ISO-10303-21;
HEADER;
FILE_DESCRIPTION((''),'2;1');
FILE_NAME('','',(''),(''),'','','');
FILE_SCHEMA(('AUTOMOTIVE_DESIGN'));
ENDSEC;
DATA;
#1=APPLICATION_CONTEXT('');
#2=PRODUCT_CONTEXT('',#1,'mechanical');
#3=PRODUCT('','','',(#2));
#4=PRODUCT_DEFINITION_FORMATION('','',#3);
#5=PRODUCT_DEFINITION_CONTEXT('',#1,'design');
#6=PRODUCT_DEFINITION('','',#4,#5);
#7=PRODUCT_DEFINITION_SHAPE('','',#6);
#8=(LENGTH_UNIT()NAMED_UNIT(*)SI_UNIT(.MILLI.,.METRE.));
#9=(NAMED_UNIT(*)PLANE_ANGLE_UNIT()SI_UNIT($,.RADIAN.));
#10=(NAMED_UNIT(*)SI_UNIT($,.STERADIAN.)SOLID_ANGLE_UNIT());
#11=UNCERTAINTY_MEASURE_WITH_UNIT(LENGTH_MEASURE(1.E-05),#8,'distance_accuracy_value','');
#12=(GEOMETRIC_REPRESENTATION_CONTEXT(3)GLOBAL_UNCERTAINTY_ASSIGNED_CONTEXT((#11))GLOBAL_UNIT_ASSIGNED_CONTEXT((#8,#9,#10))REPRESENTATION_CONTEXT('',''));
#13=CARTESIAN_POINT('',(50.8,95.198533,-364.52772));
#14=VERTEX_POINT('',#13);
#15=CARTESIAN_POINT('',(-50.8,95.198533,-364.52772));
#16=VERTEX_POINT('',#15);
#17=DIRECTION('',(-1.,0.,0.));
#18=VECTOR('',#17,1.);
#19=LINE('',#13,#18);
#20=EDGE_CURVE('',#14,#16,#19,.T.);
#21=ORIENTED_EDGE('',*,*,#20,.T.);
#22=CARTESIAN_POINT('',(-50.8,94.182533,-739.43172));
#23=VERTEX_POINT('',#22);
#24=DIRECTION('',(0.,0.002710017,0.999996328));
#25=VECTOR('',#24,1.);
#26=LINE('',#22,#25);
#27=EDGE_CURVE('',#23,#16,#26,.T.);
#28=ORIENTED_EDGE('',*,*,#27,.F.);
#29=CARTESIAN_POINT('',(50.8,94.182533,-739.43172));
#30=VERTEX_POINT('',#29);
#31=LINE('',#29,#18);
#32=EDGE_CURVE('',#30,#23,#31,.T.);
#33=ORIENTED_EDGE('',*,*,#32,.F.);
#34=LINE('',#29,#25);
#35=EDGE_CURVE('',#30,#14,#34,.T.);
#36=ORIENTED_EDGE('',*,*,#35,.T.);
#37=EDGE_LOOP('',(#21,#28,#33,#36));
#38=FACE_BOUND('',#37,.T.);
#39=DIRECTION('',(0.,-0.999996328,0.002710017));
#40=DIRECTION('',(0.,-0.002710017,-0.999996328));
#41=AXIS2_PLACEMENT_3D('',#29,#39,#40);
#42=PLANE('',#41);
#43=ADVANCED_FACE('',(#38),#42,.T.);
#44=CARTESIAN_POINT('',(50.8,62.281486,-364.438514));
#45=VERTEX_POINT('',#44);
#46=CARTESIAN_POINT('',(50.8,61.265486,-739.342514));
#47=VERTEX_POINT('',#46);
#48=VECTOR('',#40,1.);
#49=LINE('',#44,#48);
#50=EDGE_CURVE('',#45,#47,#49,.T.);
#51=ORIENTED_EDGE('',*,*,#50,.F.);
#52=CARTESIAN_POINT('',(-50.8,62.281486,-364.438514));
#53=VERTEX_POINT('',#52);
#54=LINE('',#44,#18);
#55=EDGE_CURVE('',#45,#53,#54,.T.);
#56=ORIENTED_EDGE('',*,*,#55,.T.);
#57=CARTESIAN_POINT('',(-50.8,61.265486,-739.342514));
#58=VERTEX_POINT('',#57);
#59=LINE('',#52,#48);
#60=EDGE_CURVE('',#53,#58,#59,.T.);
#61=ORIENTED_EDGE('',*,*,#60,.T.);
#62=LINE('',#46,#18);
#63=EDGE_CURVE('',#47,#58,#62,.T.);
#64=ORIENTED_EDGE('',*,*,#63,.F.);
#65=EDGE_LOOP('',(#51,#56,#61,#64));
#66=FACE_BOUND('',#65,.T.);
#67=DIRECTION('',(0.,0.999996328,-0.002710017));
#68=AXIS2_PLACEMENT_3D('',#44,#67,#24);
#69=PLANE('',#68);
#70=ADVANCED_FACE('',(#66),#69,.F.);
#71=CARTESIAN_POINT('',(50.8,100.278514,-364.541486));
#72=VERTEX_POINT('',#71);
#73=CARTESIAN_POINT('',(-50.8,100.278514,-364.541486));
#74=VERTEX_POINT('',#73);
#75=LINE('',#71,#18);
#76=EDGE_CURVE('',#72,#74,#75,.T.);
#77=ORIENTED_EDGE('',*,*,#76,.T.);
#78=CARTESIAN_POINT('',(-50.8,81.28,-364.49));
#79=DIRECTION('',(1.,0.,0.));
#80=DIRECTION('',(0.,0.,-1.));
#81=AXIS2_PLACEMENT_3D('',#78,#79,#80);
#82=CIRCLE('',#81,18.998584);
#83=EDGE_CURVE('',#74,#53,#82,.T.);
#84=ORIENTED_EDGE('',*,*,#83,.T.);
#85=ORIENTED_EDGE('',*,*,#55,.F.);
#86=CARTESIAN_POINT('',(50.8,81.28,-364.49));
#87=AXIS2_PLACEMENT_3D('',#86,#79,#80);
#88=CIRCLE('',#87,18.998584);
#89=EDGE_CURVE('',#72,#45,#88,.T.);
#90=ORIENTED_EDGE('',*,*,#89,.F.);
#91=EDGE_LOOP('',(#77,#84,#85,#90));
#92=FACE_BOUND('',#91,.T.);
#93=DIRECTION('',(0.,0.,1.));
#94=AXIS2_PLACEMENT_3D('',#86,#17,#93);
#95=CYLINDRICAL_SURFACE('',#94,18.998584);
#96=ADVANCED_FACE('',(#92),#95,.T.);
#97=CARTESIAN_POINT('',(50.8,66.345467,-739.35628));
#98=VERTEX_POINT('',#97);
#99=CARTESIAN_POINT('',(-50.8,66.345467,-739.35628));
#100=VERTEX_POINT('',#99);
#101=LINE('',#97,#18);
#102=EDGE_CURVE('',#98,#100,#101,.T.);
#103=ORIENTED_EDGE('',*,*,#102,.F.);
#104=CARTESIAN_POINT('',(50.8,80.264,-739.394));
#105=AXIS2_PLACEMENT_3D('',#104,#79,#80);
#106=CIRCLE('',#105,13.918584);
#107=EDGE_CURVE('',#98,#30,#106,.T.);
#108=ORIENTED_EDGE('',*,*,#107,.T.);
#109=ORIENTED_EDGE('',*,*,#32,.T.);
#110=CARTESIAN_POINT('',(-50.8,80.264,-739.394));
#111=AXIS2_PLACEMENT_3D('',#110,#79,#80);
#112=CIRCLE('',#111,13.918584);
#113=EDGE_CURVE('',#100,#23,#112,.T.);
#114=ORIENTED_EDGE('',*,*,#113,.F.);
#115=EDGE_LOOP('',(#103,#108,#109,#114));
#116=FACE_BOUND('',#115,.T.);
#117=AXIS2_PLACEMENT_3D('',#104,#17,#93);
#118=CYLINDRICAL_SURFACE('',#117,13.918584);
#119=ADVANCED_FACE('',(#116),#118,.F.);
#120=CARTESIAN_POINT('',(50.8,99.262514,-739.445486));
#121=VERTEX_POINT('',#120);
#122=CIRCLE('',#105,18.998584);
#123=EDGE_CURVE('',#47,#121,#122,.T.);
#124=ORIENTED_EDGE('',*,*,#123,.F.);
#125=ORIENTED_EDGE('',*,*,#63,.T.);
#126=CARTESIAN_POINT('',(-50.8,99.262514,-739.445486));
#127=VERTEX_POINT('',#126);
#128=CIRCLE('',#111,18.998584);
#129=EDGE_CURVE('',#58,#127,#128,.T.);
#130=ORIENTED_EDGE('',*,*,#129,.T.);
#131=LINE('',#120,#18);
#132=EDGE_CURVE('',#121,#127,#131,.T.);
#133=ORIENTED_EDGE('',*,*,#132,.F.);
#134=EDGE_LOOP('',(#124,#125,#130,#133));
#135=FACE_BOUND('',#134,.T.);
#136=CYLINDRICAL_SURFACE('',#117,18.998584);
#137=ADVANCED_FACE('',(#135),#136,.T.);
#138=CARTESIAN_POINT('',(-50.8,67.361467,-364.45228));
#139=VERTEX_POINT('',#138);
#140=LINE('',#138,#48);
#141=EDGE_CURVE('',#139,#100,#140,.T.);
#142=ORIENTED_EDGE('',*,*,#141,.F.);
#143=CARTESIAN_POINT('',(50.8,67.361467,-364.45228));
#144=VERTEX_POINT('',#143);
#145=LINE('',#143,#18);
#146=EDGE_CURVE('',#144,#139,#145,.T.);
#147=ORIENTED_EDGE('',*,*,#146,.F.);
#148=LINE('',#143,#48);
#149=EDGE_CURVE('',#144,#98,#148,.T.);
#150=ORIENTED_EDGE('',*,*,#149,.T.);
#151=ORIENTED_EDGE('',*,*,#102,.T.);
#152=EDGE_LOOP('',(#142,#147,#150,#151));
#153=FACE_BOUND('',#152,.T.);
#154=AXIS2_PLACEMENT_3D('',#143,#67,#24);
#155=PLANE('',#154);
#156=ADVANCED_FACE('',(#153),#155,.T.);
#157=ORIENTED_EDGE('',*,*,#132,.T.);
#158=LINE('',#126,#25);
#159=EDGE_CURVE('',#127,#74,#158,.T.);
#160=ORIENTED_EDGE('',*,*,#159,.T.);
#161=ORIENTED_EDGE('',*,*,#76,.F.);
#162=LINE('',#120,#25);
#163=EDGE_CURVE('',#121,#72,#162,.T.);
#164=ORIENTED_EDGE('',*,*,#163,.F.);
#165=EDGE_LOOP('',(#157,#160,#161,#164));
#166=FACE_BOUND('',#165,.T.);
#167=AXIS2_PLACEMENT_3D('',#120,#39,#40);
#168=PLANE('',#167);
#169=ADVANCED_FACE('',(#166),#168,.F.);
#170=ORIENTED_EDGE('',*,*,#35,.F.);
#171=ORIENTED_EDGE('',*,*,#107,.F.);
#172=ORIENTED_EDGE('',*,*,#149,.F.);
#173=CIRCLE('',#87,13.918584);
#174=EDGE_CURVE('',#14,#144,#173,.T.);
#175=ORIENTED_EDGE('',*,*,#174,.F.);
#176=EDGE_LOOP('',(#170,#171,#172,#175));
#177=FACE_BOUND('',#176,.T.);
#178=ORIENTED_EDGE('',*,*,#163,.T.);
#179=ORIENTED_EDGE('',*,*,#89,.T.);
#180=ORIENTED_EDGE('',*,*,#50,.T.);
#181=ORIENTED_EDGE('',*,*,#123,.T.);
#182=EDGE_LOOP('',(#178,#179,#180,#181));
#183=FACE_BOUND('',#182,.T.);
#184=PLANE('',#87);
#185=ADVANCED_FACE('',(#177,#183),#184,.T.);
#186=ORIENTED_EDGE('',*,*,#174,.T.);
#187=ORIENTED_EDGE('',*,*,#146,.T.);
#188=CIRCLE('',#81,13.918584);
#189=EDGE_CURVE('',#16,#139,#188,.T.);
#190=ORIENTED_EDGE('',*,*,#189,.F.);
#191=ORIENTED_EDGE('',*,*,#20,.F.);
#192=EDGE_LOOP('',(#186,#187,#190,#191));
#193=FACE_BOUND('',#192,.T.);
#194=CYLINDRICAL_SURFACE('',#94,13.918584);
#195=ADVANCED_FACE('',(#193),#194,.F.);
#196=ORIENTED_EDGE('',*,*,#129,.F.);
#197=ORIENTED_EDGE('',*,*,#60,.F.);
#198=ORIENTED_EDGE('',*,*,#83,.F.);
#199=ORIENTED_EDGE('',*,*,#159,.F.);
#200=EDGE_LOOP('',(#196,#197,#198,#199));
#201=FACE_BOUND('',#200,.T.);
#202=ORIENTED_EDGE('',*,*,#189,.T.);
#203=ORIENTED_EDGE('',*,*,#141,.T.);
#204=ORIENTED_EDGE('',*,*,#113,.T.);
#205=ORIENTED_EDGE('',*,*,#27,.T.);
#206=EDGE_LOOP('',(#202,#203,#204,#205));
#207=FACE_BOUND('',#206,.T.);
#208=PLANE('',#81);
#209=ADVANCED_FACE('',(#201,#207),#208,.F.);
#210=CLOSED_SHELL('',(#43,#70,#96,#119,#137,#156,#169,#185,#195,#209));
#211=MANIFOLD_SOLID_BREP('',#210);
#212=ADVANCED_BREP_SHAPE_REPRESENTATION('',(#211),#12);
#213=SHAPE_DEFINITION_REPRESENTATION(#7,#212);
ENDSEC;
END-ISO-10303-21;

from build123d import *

# Parameters (mm, degrees)
EXTRUDE_THIN1_DEPTH = 50.8


with BuildPart() as part:
    # Sketch1 → Extrude-Thin1 (new, symmetric)
    with BuildSketch(Plane(origin=(0, 0, 0), x_dir=(0, 0, -1), z_dir=(1, 0, 0))):
        with BuildLine():
            Line((739.445486489, 99.26251427), (364.541486489, 100.27851427))
            ThreePointArc((364.541486489, 100.27851427), (345.49148573, 81.331486489), (364.438513511, 62.28148573))
            Line((364.438513511, 62.28148573), (739.342513511, 61.26548573))
            ThreePointArc((739.342513511, 61.26548573), (758.39251427, 80.212513511), (739.445486489, 99.26251427))
        make_face()
        with BuildLine():
            Line((739.431719601, 94.182532924), (364.527719601, 95.198532924))
            ThreePointArc((364.527719601, 95.198532924), (350.571467076, 81.317719601), (364.452280399, 67.361467076))
            Line((364.452280399, 67.361467076), (739.356280399, 66.345467076))
            ThreePointArc((739.356280399, 66.345467076), (753.312532924, 80.226280399), (739.431719601, 94.182532924))
        make_face(mode=Mode.SUBTRACT)
    extrude(amount=EXTRUDE_THIN1_DEPTH, both=True)


solid = part.part
